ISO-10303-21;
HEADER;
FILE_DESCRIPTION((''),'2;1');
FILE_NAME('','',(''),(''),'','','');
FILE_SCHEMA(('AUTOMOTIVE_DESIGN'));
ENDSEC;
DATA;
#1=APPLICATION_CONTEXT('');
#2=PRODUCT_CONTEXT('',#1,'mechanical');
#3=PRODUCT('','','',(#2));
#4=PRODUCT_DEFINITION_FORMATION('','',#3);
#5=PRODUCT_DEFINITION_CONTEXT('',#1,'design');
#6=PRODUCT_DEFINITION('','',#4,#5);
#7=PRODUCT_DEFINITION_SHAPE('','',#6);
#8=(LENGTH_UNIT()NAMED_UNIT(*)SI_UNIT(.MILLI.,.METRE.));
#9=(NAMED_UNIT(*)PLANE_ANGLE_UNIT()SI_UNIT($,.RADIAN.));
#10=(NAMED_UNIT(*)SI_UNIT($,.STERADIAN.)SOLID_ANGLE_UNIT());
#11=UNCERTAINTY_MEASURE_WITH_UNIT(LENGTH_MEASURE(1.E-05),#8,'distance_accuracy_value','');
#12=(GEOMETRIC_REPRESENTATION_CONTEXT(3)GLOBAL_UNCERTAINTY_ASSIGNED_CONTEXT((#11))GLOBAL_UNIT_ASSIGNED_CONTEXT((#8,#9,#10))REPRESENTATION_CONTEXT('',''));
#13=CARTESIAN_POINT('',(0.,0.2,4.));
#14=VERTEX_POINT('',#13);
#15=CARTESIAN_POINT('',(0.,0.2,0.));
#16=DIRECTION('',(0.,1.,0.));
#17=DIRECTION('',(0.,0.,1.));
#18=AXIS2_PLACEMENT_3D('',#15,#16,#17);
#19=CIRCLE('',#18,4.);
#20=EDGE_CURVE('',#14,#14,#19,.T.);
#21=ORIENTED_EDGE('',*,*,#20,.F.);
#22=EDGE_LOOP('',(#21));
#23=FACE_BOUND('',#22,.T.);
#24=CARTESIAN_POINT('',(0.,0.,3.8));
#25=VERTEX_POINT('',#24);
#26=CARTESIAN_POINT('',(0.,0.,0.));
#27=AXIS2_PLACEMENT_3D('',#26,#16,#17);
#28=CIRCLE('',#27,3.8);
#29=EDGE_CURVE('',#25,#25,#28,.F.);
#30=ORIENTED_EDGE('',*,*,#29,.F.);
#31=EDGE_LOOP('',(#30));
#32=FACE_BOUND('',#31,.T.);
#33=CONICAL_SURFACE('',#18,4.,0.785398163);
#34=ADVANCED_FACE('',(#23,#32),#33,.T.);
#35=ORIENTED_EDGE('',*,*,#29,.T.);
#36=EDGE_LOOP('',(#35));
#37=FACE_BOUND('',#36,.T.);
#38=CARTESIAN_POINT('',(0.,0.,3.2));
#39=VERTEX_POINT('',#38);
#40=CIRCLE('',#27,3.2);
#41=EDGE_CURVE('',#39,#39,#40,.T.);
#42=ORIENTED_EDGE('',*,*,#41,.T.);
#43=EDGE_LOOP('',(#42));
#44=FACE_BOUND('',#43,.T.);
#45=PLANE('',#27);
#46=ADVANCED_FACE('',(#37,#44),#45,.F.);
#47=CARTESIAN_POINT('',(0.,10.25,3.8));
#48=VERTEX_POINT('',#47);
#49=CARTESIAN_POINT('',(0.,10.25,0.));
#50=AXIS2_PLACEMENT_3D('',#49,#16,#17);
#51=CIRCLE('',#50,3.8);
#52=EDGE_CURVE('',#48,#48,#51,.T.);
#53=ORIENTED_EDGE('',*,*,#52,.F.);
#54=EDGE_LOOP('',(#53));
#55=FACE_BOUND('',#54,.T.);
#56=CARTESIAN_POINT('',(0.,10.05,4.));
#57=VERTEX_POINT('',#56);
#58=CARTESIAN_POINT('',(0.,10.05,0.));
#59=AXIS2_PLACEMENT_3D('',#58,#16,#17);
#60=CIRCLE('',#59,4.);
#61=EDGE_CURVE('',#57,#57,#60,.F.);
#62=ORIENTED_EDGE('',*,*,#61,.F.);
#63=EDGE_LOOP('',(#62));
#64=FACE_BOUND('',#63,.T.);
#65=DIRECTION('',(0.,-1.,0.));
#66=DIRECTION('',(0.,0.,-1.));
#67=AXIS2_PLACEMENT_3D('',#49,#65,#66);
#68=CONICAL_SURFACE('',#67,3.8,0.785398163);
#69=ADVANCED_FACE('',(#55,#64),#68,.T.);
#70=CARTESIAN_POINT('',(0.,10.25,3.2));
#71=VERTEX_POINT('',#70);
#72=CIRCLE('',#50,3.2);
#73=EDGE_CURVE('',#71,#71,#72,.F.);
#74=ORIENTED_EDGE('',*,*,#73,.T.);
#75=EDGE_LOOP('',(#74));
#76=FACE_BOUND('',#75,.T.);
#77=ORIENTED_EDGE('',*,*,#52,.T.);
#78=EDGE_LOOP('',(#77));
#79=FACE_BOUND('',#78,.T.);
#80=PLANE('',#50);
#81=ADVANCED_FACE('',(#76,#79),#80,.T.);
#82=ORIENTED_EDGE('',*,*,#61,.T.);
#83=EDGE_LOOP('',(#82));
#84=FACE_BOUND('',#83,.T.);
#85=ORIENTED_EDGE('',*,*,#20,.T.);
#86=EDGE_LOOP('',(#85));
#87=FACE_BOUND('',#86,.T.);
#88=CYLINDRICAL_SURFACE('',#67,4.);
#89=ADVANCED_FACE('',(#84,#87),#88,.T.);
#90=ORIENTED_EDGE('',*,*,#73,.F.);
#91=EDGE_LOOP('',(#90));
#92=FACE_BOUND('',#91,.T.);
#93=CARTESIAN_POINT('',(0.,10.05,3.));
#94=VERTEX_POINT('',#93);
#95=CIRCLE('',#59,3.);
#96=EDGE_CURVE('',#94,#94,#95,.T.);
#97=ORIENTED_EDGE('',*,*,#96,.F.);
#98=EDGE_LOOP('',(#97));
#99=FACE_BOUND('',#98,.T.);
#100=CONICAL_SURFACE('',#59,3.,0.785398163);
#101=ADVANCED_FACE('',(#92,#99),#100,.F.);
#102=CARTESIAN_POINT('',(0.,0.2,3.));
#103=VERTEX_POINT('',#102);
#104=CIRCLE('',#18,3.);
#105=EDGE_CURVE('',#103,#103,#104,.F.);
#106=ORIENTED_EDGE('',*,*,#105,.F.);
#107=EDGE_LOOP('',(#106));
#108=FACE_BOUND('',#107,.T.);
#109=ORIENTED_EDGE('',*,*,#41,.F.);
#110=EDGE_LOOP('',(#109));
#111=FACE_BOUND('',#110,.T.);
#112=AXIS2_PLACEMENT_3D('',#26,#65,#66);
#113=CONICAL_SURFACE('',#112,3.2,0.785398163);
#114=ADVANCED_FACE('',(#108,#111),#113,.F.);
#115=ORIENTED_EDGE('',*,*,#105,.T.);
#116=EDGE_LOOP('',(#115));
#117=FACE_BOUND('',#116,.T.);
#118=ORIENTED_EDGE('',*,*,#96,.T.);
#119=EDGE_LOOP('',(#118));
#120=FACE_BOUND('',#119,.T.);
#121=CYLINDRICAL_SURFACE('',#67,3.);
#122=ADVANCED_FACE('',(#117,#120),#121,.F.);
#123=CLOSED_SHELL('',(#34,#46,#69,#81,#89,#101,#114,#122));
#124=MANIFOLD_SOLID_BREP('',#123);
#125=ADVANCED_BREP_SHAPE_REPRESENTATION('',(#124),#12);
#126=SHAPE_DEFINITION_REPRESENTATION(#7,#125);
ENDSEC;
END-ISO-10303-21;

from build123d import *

# Parameters (mm, degrees)
SKIZZE1_R                       = 4
SKIZZE1_R_2                     = 3
AUFSATZ_LINEAR_AUSTRAGEN1_DEPTH = 10.25
FASE1_SIZE                      = 0.2


with BuildPart() as part:
    # Skizze1 → Aufsatz-Linear austragen1 (new body)
    with BuildSketch(Plane(origin=(0, 0, 0), x_dir=(1, 0, 0), z_dir=(0, 1, 0))):
        with Locations(Location((0, 0, 0), (0, 0, 270))):
            Circle(SKIZZE1_R)
        with Locations(Location((0, 0, 0), (0, 0, 270))):
            Circle(SKIZZE1_R_2, mode=Mode.SUBTRACT)
    extrude(amount=AUFSATZ_LINEAR_AUSTRAGEN1_DEPTH)

    # Fase1
    fase1_edges = [part.edges().sort_by_distance(p)[0] for p in [
        (0, 0, -4),
        (0, 10.25, -4),
        (0, 0, -3),
        (0, 10.25, -3),
    ]]
    chamfer(fase1_edges, length=FASE1_SIZE)


solid = part.part
